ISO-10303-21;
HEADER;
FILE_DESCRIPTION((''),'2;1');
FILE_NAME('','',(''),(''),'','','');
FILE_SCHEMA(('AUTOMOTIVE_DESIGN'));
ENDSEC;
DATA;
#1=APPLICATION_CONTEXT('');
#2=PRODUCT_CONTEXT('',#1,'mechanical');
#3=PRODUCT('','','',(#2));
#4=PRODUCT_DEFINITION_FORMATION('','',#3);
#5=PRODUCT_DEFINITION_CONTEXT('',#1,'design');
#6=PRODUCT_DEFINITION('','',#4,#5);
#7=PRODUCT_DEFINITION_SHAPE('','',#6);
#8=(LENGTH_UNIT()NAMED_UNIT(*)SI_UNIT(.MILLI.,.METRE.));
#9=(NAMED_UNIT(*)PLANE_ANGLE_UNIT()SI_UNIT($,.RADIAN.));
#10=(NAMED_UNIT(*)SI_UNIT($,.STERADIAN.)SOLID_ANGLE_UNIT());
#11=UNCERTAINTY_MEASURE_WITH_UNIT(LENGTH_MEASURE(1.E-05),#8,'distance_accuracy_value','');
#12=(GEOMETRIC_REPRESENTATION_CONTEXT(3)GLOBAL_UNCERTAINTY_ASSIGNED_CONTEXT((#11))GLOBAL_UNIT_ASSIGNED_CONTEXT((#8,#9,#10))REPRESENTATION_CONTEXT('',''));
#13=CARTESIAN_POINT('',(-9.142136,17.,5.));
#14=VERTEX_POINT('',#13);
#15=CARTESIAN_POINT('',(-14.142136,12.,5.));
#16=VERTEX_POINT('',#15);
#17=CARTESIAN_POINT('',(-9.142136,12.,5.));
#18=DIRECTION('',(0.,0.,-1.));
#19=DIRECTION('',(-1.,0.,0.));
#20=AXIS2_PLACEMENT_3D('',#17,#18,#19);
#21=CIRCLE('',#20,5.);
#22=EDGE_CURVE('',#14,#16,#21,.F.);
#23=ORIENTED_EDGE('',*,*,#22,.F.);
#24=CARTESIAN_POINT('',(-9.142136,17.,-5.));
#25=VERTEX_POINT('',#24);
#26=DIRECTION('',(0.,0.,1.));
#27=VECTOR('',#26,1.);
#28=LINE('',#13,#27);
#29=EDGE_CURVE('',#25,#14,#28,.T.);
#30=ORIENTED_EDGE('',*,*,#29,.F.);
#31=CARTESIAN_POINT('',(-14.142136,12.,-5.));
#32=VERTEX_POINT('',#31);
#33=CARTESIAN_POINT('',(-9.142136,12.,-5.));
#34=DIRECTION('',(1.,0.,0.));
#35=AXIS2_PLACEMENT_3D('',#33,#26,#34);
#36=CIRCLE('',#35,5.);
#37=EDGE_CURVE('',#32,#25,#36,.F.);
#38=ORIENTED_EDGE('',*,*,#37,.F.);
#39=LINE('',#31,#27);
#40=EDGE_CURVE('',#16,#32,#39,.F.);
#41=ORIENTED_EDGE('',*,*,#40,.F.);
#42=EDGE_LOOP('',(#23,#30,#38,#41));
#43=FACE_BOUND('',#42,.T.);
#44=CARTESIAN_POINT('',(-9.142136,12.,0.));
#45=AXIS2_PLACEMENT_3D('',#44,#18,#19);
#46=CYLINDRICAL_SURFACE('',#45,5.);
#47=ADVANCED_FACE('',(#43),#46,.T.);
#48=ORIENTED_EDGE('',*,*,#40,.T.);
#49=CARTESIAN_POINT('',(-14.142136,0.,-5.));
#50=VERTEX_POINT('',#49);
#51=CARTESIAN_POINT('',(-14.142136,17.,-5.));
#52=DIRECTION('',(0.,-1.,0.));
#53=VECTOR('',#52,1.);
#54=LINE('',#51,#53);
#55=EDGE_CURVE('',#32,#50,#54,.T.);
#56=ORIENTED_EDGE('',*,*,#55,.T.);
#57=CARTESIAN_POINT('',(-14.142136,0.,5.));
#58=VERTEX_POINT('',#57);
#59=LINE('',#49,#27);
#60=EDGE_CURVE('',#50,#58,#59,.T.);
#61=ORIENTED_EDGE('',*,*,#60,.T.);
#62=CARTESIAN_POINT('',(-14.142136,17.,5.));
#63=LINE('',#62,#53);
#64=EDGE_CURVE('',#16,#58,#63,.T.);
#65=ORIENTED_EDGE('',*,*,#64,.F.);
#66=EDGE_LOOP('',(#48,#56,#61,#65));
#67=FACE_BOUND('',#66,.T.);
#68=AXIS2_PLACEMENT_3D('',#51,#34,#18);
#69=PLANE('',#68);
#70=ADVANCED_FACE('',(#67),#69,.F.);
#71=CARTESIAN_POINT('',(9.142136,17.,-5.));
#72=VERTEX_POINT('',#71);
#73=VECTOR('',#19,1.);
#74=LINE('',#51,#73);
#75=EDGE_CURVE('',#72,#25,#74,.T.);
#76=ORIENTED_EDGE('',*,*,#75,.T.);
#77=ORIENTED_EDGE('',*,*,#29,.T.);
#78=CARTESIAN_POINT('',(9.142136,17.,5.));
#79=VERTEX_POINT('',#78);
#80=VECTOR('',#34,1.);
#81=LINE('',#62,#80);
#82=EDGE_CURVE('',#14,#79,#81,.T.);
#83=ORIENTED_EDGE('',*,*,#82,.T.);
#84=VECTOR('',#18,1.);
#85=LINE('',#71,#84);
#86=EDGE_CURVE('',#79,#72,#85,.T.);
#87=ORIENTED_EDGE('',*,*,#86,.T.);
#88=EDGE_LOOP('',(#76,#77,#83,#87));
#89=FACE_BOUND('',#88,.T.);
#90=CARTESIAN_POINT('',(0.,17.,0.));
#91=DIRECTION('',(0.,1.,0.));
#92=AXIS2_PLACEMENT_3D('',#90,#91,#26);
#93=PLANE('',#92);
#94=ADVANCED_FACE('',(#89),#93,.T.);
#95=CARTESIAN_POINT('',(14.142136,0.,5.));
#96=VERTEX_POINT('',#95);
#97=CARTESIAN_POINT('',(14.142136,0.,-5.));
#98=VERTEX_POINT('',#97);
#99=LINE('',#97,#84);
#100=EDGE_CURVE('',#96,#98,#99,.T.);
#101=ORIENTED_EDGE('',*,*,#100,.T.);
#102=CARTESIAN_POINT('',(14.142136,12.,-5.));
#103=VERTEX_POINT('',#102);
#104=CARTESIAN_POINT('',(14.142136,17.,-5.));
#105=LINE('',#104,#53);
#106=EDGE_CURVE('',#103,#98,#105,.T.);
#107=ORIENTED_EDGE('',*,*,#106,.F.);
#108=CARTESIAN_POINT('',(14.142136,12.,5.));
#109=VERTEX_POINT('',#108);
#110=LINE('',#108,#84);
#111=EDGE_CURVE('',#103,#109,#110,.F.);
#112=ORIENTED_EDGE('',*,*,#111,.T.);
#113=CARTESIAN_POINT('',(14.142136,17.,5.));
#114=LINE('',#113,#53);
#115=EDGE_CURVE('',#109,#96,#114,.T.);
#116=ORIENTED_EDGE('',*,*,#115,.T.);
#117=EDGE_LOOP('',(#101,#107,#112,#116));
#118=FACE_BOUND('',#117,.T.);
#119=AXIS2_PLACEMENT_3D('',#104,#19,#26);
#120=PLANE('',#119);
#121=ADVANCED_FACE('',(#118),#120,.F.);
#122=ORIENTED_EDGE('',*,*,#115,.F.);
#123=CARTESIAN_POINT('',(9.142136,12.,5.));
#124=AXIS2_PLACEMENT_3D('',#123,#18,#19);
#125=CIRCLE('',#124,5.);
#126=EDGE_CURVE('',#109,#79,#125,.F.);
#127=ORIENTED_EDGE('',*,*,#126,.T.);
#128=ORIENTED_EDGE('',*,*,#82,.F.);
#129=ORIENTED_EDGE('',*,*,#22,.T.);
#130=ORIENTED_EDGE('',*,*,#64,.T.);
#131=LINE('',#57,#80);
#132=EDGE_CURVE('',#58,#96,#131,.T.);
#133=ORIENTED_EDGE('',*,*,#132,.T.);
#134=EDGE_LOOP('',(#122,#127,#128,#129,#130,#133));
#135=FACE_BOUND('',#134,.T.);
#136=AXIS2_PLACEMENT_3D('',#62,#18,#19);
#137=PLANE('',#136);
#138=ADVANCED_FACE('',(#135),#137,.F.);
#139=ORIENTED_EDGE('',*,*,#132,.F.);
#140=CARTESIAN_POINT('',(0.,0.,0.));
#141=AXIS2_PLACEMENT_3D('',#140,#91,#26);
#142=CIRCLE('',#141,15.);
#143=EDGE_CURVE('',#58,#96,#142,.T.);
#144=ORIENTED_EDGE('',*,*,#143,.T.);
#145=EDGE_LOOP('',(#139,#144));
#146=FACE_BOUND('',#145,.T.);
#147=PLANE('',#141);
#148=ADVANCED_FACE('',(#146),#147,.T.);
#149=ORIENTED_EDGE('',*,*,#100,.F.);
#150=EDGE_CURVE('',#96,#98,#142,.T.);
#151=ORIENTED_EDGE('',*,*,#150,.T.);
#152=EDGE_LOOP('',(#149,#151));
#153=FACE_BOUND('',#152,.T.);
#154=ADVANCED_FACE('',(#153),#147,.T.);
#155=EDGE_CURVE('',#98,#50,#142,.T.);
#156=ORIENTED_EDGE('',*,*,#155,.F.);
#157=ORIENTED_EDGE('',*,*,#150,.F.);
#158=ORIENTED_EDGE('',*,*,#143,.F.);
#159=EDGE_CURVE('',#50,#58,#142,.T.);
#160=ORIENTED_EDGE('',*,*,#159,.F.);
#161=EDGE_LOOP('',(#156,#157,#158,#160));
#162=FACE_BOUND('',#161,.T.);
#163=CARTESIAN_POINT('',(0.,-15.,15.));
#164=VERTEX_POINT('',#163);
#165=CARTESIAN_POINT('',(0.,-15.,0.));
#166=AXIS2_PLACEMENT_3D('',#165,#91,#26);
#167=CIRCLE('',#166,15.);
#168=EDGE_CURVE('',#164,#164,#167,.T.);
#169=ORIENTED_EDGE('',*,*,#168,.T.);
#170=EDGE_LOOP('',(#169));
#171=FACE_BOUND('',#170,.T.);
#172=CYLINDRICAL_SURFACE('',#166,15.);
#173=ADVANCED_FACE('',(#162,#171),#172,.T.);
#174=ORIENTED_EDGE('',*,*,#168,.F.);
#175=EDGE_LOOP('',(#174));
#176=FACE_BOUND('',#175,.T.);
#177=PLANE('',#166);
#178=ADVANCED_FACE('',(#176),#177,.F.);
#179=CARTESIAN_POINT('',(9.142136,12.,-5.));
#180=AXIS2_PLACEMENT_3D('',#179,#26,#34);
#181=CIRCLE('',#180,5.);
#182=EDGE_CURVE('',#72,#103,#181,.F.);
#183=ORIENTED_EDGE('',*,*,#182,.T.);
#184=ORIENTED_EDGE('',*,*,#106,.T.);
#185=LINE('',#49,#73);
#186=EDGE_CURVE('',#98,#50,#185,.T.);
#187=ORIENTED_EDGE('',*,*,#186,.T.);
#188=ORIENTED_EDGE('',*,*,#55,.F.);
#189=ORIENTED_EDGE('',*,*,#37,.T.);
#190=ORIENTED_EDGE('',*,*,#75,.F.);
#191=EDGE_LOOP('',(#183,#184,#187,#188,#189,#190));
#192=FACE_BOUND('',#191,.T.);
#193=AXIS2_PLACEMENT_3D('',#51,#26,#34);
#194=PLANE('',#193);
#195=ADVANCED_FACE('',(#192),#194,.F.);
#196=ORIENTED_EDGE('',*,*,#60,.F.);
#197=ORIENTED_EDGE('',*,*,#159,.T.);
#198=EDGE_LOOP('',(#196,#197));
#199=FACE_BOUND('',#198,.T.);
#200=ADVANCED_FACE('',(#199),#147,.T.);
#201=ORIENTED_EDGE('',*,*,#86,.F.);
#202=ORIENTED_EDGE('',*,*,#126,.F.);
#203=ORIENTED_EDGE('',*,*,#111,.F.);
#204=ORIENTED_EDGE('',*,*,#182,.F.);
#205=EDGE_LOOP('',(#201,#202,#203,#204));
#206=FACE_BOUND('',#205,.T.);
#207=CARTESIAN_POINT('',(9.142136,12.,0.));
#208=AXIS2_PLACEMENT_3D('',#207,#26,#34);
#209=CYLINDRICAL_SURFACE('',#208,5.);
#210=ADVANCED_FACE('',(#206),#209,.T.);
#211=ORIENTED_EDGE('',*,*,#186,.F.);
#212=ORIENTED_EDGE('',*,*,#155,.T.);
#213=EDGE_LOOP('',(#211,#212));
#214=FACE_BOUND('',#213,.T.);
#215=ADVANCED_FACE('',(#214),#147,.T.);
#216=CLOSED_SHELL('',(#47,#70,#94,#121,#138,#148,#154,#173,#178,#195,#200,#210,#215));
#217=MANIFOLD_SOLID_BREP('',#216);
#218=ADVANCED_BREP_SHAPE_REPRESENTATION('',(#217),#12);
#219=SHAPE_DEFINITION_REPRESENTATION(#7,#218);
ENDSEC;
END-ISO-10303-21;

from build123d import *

# Parameters (mm, degrees)
SKETCH1_R           = 15
BOSS_EXTRUDE1_DEPTH = 15
SKETCH4_W           = 28.284271248
SKETCH4_H           = 10
BOSS_EXTRUDE3_DEPTH = 17
FILLET3_R           = 5


with BuildPart() as part:
    # Sketch1 → Boss-Extrude1 (new body)
    with BuildSketch(Plane(origin=(0, 0, 0), x_dir=(1, 0, 0), z_dir=(0, 1, 0))):
        with Locations(Location((0, 0, 0), (0, 0, 270))):
            Circle(SKETCH1_R)
    extrude(amount=-BOSS_EXTRUDE1_DEPTH)

    # Sketch4 → Boss-Extrude3 (add)
    with BuildSketch(Plane(origin=(0, 0, 0), x_dir=(1, 0, 0), z_dir=(0, 1, 0))):
        Rectangle(SKETCH4_W, SKETCH4_H)
    extrude(amount=BOSS_EXTRUDE3_DEPTH)

    # Fillet3
    fillet3_edges = [part.edges().sort_by_distance(p)[0] for p in [
        (-14.142135624, 17, 0),
        (14.142135624, 17, 0),
    ]]
    fillet(fillet3_edges, radius=FILLET3_R)


solid = part.part
